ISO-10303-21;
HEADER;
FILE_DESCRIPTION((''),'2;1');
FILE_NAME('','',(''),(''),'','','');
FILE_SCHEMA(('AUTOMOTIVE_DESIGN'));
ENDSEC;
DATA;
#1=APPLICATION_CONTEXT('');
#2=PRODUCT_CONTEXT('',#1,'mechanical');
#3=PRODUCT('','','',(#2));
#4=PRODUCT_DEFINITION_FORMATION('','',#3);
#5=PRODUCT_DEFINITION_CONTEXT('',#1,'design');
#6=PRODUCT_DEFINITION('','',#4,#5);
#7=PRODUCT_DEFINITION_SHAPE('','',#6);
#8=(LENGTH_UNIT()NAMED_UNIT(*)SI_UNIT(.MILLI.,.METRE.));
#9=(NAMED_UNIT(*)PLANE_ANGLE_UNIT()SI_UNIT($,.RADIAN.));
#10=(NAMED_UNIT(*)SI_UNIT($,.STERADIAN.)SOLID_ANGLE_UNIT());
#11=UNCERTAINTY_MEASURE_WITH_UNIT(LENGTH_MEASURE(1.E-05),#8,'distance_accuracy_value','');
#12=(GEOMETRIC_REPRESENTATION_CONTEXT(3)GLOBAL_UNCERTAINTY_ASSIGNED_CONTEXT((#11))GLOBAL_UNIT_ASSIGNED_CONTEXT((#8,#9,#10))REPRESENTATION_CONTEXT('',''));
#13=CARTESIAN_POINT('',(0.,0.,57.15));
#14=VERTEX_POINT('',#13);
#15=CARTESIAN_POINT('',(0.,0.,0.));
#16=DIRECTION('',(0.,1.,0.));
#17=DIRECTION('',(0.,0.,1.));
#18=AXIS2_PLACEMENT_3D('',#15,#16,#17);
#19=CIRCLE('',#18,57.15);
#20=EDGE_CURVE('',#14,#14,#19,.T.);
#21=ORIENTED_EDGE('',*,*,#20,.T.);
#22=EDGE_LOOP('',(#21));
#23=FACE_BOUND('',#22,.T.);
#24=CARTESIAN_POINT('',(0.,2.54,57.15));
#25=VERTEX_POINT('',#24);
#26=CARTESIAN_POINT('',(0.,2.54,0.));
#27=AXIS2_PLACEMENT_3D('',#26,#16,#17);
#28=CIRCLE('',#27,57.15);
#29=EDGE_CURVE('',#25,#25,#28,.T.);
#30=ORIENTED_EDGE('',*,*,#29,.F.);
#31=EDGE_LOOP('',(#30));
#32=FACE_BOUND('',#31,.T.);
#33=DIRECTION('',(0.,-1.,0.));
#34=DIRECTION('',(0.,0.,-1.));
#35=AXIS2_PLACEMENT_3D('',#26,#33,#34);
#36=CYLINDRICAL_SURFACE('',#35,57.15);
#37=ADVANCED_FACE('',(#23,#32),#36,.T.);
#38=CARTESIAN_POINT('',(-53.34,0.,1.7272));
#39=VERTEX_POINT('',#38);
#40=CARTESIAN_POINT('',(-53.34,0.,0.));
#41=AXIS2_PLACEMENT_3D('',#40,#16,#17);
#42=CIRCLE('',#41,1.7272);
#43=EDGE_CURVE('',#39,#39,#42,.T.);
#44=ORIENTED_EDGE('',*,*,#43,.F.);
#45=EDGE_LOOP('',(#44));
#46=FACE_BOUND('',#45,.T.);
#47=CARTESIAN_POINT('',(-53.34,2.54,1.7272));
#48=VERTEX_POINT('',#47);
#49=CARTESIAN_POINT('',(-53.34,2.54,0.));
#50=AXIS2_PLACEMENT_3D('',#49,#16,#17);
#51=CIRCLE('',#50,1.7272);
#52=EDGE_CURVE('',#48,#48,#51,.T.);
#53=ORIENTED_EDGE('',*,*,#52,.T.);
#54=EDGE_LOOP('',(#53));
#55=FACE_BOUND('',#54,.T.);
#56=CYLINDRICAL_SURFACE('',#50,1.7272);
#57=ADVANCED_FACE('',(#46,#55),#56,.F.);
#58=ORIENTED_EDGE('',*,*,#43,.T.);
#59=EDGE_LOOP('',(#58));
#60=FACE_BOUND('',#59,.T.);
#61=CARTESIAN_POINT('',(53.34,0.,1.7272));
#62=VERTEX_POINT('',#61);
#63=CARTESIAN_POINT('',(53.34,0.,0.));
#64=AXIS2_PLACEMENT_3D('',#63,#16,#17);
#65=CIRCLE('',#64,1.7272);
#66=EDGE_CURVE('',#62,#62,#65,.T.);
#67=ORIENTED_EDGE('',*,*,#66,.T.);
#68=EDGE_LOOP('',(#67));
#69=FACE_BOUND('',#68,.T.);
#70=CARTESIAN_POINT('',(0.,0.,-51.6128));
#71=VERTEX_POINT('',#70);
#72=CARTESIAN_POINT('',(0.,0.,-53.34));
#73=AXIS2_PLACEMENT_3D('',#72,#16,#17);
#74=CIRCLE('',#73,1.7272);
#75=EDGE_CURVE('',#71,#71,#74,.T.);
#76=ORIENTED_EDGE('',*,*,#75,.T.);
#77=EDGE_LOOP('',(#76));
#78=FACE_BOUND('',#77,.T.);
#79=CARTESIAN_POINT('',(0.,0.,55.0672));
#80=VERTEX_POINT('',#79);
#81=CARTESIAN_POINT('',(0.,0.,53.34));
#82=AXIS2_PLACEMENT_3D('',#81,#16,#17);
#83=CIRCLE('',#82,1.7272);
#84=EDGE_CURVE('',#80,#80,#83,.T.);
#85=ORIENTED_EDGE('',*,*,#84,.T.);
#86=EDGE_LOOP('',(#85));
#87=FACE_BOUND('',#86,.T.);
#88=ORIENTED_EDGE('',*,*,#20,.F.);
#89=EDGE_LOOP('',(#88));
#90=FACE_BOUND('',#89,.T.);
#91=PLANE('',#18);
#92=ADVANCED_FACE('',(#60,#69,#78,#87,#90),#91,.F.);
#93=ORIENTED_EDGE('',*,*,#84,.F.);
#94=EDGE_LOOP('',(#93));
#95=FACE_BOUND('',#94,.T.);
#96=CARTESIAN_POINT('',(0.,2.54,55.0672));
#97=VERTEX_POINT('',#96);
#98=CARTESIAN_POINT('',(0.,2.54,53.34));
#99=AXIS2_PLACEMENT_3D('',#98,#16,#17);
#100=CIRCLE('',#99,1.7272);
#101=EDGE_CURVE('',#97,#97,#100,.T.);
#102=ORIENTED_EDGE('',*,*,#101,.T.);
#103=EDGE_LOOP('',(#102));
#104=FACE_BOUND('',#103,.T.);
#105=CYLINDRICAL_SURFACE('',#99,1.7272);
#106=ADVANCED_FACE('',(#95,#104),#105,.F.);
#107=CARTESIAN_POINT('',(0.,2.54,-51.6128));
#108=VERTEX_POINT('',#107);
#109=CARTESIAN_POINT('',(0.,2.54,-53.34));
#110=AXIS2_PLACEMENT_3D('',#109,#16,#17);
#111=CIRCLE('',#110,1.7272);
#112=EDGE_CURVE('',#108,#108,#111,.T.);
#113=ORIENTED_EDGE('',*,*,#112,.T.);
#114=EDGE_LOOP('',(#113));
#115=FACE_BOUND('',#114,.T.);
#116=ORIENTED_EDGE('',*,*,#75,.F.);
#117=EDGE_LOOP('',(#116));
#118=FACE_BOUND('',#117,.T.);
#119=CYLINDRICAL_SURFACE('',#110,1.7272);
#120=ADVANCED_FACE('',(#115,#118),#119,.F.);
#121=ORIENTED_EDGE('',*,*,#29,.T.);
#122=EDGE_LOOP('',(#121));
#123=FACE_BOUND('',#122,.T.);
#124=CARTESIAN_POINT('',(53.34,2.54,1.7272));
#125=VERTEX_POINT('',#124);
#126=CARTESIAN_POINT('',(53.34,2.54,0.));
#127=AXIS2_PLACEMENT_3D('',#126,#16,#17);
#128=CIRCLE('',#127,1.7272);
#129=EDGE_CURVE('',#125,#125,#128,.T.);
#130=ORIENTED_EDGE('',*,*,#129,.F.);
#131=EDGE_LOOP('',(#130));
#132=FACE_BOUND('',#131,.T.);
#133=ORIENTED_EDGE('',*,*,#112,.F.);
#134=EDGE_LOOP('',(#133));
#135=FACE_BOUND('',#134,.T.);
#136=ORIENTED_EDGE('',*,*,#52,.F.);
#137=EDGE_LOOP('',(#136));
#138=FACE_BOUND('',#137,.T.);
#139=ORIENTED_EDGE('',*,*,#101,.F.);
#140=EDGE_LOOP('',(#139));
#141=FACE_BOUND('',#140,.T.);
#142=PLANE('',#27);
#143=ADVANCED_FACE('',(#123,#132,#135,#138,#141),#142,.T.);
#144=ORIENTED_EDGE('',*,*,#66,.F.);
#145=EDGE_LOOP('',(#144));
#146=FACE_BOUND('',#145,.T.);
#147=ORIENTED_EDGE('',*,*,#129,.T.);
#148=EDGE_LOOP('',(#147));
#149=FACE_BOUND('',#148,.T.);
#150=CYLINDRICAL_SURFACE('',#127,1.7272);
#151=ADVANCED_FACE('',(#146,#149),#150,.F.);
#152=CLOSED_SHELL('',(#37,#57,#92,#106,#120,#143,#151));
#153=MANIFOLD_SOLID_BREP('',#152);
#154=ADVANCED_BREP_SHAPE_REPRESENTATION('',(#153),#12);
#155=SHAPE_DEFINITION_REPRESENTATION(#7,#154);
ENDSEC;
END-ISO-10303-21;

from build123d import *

# Parameters (mm, degrees)
SKETCH1_R             = 57.15
BOSS_EXTRUDE1_DEPTH   = 2.54
F_8_32_TAPPED_HOLE1_D = 3.4544
CIRPATTERN2_COUNT     = 4


with BuildPart() as part:
    # Sketch1 → Boss-Extrude1 (new body)
    with BuildSketch(Plane(origin=(0, 0, 0), x_dir=(1, 0, 0), z_dir=(0, 1, 0))):
        with Locations(Location((0, 0, 0), (0, 0, 270))):
            Circle(SKETCH1_R)
    extrude(amount=BOSS_EXTRUDE1_DEPTH)

    # #8-32 Tapped Hole1 (through all)
    with Locations(Plane(origin=(0, 2.54, 0), x_dir=(1, 0, 0), z_dir=(0, 1, 0))):
        with Locations((-53.34, 0)):
            f_8_32_tapped_hole1 = Hole(F_8_32_TAPPED_HOLE1_D / 2)

    # CirPattern2: #8-32 Tapped Hole1 ×4 about axis
    cirpattern2_axis = Axis((0, 0, 0), (0, 1, 0))
    for i in range(1, CIRPATTERN2_COUNT):
        add(f_8_32_tapped_hole1.rotate(cirpattern2_axis, i * 360 / CIRPATTERN2_COUNT), mode=Mode.SUBTRACT)


solid = part.part
